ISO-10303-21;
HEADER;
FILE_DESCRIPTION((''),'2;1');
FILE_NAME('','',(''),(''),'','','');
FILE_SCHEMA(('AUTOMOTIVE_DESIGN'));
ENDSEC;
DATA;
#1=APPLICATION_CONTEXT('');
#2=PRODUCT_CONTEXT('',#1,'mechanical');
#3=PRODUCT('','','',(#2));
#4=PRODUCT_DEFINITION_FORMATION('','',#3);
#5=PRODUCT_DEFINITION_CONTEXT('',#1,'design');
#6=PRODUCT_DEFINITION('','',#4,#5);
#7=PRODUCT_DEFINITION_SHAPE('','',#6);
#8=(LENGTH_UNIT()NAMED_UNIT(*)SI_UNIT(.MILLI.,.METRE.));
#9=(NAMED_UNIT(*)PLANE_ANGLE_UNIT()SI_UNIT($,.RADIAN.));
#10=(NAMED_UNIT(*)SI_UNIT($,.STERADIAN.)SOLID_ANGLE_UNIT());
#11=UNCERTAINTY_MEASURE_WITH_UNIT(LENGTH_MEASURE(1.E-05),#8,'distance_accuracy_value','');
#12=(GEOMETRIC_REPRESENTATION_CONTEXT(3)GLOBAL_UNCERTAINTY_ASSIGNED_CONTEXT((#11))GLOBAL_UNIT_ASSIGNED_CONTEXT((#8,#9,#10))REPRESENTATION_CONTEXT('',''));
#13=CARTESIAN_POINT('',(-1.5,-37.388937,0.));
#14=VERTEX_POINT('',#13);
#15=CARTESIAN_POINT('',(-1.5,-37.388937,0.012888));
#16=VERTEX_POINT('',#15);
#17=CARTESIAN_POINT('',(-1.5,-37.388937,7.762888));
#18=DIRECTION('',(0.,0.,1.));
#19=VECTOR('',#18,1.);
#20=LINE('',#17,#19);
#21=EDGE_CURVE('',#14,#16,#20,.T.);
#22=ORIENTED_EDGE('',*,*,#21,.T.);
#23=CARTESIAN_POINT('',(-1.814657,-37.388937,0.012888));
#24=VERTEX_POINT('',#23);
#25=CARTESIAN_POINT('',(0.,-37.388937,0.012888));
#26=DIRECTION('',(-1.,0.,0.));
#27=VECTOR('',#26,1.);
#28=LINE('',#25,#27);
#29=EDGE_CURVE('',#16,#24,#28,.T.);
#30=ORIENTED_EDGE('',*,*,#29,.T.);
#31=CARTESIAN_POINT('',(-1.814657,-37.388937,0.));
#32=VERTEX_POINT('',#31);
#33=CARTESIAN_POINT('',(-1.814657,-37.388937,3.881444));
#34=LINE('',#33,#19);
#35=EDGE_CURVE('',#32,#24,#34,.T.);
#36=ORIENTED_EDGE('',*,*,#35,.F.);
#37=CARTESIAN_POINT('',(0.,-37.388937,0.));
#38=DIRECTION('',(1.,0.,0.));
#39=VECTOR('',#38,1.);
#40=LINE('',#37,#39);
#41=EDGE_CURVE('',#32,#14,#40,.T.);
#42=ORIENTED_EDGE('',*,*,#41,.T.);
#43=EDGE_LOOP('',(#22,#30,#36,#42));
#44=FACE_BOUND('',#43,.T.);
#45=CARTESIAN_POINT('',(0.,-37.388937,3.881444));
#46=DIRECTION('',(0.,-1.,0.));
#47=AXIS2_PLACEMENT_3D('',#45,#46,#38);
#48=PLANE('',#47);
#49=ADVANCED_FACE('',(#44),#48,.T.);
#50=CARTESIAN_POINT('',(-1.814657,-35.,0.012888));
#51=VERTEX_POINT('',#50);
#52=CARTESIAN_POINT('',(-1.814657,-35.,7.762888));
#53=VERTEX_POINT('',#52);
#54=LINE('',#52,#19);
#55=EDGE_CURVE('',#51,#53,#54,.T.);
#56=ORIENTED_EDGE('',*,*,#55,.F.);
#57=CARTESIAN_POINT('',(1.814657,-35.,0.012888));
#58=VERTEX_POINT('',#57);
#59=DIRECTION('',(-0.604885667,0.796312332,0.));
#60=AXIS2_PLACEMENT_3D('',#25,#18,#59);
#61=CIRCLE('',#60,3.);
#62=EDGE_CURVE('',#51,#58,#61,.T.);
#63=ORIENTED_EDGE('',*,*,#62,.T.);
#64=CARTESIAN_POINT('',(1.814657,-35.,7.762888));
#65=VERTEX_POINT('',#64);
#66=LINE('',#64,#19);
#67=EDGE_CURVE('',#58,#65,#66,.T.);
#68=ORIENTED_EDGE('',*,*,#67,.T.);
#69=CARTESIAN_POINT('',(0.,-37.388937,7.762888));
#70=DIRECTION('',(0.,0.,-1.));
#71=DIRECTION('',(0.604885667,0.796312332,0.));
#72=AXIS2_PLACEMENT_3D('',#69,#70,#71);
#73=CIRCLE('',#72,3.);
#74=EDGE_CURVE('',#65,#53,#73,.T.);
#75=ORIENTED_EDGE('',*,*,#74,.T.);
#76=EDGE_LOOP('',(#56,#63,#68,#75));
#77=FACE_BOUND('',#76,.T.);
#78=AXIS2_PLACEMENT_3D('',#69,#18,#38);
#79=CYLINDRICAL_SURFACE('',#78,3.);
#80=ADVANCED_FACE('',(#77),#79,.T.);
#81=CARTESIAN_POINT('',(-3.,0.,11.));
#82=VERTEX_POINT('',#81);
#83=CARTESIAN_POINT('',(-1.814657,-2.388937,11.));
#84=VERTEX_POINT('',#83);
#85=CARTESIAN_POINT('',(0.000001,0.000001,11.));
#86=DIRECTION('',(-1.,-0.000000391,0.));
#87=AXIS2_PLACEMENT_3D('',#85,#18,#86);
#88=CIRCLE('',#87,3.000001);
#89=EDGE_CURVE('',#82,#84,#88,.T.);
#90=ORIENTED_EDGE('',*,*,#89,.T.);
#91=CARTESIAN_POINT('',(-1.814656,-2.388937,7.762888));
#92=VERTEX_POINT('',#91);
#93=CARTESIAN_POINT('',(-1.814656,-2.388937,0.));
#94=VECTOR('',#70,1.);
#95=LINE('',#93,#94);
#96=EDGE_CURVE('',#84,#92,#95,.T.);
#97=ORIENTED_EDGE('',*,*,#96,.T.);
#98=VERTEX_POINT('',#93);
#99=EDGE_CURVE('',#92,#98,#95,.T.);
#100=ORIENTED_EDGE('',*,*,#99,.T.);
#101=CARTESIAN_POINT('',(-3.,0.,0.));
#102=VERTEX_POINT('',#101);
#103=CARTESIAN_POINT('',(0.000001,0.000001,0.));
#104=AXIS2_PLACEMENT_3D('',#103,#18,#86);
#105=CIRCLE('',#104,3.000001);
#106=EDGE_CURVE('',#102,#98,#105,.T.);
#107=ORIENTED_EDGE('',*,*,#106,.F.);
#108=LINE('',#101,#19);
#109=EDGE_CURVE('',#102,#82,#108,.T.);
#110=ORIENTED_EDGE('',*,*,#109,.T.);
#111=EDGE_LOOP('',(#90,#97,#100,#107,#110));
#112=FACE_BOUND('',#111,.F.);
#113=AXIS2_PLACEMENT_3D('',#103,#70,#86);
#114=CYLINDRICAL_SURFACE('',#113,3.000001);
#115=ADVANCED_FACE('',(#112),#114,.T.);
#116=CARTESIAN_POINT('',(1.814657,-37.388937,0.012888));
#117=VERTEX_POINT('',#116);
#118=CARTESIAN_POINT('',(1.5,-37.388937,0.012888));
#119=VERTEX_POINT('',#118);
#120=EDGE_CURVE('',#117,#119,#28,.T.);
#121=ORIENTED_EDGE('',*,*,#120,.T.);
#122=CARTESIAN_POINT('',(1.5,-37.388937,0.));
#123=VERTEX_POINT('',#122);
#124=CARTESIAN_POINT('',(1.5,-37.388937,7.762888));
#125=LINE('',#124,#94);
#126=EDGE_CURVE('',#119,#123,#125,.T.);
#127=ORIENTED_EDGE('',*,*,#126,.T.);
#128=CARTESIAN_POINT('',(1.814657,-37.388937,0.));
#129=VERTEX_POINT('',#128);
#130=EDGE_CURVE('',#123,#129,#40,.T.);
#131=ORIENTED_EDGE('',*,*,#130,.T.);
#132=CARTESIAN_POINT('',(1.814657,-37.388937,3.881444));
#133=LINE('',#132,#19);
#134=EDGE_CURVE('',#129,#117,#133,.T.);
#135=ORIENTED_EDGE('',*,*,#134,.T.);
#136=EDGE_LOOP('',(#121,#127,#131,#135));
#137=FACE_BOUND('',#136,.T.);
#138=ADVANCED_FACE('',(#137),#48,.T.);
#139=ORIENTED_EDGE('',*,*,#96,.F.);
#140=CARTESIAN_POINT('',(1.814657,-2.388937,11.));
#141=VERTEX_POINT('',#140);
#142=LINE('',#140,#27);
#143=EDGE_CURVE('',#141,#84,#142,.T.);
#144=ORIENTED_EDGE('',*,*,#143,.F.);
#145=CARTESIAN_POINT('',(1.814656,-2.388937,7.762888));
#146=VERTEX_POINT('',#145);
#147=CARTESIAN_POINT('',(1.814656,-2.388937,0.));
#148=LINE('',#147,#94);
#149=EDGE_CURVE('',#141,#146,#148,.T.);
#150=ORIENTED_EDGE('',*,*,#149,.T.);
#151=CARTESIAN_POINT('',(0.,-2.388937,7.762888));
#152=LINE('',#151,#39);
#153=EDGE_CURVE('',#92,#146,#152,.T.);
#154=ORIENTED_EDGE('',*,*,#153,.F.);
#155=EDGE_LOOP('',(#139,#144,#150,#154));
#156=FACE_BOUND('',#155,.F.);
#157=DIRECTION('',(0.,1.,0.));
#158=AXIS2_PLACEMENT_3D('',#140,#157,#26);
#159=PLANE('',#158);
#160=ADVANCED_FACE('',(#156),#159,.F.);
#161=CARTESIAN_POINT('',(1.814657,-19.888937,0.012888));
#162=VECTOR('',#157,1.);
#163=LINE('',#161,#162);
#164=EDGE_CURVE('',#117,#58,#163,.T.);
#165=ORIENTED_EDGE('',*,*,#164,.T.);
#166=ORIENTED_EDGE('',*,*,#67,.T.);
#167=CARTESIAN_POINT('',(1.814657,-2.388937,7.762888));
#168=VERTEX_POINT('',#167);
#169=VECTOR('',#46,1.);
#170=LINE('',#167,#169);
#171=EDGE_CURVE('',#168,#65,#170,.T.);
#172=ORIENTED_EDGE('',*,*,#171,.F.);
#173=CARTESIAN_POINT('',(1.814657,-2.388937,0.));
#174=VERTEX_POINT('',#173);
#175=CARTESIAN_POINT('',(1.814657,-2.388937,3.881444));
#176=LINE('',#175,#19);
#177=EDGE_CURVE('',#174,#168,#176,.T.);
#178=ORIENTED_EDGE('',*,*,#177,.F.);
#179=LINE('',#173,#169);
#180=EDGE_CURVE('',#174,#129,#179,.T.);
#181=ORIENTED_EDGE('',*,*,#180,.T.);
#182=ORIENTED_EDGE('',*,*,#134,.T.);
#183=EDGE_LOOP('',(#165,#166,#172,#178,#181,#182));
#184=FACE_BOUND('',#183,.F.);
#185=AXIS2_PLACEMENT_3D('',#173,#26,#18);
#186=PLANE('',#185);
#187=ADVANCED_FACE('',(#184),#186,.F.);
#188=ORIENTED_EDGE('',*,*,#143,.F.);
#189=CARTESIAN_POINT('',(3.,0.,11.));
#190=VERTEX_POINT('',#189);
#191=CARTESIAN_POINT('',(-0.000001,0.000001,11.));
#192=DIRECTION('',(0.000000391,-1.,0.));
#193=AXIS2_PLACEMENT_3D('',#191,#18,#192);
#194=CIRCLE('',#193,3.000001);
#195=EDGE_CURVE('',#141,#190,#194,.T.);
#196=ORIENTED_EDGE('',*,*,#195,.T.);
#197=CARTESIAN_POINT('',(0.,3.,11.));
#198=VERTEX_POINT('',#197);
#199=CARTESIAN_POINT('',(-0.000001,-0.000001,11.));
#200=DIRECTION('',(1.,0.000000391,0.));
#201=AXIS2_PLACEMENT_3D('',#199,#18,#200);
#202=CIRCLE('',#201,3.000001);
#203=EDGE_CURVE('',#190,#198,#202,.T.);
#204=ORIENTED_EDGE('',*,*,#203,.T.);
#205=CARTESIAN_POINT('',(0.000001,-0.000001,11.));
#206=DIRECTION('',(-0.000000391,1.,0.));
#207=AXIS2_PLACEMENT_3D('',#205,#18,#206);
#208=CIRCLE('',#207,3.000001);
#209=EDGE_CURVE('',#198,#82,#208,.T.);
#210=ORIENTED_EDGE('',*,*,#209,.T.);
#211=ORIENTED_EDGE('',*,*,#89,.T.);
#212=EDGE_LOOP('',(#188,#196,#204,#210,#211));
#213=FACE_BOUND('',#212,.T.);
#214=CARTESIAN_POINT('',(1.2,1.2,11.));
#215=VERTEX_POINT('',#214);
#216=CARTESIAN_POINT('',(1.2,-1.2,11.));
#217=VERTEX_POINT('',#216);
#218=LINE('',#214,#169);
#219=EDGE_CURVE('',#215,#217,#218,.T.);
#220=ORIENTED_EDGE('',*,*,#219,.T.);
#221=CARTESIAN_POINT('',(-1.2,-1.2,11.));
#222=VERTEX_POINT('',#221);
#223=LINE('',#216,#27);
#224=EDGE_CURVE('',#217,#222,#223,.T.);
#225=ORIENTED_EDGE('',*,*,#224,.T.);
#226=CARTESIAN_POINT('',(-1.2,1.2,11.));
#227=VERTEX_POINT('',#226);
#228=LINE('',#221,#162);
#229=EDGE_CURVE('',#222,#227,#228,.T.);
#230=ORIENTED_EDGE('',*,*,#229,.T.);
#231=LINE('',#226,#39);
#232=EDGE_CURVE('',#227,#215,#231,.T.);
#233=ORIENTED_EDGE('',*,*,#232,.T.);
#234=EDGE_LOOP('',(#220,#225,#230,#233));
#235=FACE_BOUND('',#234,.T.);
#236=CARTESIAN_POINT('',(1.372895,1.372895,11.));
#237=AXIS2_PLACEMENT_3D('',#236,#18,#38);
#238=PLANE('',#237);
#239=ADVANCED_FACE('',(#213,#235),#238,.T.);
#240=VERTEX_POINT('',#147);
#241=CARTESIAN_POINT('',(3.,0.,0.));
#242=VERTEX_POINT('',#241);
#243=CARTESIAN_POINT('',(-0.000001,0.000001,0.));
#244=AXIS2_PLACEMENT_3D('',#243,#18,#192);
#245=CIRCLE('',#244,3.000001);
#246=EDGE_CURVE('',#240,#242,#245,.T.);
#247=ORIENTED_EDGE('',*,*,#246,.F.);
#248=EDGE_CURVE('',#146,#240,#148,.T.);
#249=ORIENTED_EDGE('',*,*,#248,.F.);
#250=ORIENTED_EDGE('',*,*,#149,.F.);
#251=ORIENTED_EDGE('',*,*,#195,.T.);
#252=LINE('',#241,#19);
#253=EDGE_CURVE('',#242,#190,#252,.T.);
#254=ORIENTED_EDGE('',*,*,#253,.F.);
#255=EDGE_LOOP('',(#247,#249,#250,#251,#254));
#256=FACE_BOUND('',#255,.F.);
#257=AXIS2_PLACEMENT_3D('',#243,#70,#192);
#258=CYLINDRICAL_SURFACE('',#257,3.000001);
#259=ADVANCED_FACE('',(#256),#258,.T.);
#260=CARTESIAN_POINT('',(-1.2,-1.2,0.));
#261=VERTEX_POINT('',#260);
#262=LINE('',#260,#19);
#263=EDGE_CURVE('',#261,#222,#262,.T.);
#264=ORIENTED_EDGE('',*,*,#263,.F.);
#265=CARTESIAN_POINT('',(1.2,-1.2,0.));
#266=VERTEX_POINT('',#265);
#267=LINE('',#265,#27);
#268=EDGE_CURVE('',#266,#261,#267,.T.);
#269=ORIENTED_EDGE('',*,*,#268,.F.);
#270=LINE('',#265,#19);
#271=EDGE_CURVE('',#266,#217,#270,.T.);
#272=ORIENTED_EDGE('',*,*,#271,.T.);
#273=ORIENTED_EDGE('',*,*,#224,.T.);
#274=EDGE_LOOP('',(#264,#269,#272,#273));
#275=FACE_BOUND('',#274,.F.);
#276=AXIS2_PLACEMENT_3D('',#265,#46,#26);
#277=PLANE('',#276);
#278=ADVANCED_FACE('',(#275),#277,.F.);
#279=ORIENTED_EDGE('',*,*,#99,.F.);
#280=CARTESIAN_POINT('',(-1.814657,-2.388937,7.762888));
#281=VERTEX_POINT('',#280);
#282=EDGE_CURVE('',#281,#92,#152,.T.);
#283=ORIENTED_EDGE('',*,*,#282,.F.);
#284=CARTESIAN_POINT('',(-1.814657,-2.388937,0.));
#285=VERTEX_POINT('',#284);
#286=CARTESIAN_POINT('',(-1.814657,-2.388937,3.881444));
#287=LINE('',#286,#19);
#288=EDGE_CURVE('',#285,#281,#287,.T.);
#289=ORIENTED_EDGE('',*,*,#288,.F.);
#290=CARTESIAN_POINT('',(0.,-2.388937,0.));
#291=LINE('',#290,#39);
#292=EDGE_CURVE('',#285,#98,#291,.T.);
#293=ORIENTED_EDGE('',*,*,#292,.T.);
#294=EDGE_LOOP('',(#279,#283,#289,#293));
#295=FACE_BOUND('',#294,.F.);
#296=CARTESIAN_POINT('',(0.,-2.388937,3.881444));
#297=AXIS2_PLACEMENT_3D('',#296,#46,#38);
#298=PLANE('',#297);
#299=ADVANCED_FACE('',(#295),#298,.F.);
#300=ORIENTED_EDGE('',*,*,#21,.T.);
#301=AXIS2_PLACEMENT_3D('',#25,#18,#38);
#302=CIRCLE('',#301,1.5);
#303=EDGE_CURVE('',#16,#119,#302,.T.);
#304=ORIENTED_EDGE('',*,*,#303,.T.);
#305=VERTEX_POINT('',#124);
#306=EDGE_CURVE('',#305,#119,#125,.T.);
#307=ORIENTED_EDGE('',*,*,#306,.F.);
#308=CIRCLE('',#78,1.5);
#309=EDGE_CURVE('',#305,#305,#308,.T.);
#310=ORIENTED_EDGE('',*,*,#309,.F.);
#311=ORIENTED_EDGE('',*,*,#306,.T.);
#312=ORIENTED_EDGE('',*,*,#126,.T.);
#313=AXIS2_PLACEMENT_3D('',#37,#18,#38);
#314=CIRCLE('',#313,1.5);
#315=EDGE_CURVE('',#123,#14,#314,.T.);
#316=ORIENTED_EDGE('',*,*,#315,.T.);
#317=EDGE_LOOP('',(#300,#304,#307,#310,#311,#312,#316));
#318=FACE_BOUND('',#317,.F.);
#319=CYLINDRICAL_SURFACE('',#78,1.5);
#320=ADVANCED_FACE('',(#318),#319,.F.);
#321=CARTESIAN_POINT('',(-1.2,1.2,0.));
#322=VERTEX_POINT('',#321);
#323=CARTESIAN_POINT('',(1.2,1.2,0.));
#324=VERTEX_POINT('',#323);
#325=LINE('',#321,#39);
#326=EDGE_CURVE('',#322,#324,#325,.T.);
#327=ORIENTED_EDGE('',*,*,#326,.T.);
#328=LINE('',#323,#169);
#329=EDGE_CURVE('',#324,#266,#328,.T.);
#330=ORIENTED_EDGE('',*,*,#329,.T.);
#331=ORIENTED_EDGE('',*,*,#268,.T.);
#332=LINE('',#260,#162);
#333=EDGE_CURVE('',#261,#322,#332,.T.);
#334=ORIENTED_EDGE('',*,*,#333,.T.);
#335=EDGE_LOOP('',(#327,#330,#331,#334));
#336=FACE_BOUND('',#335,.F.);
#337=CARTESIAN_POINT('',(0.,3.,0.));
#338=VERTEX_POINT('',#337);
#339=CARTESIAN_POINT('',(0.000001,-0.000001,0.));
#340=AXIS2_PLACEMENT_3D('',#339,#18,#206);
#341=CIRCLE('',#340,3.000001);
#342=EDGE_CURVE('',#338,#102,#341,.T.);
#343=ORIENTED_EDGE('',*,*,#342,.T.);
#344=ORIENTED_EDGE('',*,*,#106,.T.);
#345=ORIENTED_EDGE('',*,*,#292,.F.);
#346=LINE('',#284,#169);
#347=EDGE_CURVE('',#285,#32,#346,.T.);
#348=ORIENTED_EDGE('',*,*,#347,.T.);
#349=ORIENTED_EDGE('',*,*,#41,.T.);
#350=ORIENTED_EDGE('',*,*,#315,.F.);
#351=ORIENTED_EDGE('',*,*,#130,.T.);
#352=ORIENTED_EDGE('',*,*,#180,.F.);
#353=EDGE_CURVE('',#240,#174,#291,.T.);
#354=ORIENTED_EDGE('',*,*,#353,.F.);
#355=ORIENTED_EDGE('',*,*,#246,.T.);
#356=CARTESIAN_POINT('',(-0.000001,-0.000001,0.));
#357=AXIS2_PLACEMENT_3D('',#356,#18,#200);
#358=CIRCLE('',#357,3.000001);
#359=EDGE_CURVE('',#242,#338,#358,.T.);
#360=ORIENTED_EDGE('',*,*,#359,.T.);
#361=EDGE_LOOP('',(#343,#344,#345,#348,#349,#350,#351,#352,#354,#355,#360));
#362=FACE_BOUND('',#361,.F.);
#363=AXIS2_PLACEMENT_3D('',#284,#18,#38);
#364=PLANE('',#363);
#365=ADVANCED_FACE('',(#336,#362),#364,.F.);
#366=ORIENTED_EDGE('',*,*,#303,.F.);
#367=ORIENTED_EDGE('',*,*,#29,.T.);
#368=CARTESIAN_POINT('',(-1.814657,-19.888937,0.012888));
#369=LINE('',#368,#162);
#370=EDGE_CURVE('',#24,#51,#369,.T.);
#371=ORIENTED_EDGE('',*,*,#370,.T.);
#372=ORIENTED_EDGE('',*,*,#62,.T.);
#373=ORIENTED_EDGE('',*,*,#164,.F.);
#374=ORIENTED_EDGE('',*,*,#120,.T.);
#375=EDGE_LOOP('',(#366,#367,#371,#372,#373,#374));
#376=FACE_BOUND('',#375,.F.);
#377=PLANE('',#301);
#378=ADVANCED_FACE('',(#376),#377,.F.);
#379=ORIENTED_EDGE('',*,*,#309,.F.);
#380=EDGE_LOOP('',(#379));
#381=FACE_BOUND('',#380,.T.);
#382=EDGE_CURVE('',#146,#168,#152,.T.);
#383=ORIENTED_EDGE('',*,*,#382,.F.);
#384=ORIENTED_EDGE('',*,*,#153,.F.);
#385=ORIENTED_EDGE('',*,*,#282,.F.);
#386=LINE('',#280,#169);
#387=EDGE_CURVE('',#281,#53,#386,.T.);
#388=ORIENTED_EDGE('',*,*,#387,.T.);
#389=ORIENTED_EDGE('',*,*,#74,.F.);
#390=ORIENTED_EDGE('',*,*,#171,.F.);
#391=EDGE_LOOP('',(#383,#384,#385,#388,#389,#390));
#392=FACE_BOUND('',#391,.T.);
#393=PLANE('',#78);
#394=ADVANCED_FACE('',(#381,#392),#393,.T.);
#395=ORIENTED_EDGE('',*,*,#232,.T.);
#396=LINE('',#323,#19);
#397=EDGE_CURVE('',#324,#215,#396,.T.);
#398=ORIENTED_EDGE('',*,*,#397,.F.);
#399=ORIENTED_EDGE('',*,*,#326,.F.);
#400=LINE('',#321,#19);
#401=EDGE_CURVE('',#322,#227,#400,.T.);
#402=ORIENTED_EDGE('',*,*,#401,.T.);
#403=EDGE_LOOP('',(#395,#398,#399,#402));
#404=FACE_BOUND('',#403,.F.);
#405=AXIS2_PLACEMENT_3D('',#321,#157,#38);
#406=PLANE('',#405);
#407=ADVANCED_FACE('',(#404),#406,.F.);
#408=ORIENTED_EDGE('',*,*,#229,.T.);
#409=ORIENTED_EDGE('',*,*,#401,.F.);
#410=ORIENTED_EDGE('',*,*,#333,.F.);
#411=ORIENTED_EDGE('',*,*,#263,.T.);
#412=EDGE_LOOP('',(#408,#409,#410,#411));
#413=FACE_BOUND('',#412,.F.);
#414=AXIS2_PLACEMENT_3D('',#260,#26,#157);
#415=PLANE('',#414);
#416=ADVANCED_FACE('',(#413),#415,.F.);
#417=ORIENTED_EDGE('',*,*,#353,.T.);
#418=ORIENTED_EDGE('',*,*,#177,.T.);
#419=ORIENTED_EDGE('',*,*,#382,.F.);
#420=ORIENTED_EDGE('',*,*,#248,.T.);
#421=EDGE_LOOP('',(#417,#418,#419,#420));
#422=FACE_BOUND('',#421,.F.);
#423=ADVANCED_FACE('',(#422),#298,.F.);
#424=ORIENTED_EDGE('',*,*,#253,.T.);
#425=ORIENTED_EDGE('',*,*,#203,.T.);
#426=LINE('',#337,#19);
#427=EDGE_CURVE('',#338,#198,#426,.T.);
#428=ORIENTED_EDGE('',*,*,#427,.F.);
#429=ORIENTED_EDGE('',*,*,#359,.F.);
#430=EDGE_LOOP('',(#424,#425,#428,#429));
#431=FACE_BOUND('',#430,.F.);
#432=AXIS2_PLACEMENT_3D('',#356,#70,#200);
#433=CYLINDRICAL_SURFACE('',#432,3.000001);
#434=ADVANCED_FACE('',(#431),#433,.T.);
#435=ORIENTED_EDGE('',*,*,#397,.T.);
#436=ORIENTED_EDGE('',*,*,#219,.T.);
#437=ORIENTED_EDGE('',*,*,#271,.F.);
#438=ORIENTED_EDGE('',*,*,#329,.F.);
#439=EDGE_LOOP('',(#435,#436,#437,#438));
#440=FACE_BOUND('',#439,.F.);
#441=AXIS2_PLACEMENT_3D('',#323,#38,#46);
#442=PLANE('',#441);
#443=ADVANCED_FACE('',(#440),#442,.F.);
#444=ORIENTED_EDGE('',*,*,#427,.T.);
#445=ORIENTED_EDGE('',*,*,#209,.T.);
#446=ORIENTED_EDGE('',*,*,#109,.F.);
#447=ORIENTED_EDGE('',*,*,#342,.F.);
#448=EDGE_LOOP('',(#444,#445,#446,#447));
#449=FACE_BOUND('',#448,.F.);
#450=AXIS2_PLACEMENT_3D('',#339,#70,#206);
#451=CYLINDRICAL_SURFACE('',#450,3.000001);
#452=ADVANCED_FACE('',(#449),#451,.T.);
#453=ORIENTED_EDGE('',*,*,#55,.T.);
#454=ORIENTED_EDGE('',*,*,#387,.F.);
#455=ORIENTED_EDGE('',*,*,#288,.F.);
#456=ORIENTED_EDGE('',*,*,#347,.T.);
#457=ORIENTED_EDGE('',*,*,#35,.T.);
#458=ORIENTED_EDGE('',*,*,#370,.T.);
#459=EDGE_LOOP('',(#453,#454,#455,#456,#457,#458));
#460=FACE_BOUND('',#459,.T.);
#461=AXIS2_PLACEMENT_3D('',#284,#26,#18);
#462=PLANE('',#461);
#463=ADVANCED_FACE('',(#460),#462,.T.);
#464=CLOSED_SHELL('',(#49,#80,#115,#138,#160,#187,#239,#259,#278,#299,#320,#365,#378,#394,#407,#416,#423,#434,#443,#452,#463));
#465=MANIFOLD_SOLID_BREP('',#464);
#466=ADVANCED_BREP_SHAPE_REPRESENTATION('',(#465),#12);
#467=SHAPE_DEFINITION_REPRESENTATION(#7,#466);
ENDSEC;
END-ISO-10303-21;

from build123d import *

# Parameters (mm, degrees)
F1_DEPTH = 11
F3_DEPTH = 25
F4_W     = 3.629314
F4_H     = 7.762888
F5_DEPTH = 35
F6_R     = 3
F7_DEPTH = 7.75
F8_R     = 1.5
F9_DEPTH = 25


with BuildPart() as f1:
    # F0 (on Top) → F1 (new body)
    with BuildSketch(Plane.XY):
        with BuildLine():
            Line((1.2, 0), (3, 0))
            ThreePointArc((3, 0), (2.12132, 2.12132), (0, 3))
            Line((0, 3), (0, 1.2))
            Line((0, 1.2), (1.2, 1.2))
            Line((1.2, 1.2), (1.2, 1.0315))
            Line((1.2, 1.0315), (1.2, 0.863))
            Line((1.2, 0.863), (1.2, 0))
        make_face()
        with BuildLine():
            ThreePointArc((0, -3), (2.12132, -2.12132), (3, 0))
            Line((3, 0), (1.2, 0))
            Line((1.2, 0), (1.2, -1.2))
            Line((1.2, -1.2), (0, -1.2))
            Line((0, -1.2), (0, -3))
        make_face()
        with BuildLine():
            Line((0, 1.2), (0, 3))
            ThreePointArc((0, 3), (-2.12132, 2.12132), (-3, 0))
            Line((-3, 0), (-1.2, 0))
            Line((-1.2, 0), (-1.2, 1.0315))
            Line((-1.2, 1.0315), (-1.2, 1.2))
            Line((-1.2, 1.2), (0, 1.2))
        make_face()
        with BuildLine():
            ThreePointArc((-3, 0), (-2.12132, -2.12132), (0, -3))
            Line((0, -3), (0, -1.2))
            Line((0, -1.2), (-1.2, -1.2))
            Line((-1.2, -1.2), (-1.2, 0))
            Line((-1.2, 0), (-3, 0))
        make_face()
    extrude(amount=F1_DEPTH)

    # F2 (on face) → F3 (cut)
    with BuildSketch(Plane.XY.offset(11)):
        with BuildLine():
            Line((1.814657, -2.388937), (-1.814657, -2.388937))
            ThreePointArc((-1.814657, -2.388937), (0, -3), (1.814657, -2.388937))
        make_face()
    extrude(amount=-F3_DEPTH, mode=Mode.SUBTRACT)

    # F4 (on face) → F5 (join)
    with BuildSketch(Plane.XZ.offset(2.388937)):
        with Locations((0, 3.881444)):
            Rectangle(F4_W, F4_H)
    extrude(amount=F5_DEPTH)

    # F6 (on face) → F7 (join)
    with BuildSketch(Plane.XY.offset(7.762888)):
        with Locations((0, -37.388937)):
            Circle(F6_R)
    extrude(amount=-F7_DEPTH)

    # F8 (on face) → F9 (cut)
    with BuildSketch(Plane.XY.offset(7.762888)):
        with Locations((0, -37.388937)):
            Circle(F8_R)
    extrude(amount=-F9_DEPTH, mode=Mode.SUBTRACT)


solid = f1.part
